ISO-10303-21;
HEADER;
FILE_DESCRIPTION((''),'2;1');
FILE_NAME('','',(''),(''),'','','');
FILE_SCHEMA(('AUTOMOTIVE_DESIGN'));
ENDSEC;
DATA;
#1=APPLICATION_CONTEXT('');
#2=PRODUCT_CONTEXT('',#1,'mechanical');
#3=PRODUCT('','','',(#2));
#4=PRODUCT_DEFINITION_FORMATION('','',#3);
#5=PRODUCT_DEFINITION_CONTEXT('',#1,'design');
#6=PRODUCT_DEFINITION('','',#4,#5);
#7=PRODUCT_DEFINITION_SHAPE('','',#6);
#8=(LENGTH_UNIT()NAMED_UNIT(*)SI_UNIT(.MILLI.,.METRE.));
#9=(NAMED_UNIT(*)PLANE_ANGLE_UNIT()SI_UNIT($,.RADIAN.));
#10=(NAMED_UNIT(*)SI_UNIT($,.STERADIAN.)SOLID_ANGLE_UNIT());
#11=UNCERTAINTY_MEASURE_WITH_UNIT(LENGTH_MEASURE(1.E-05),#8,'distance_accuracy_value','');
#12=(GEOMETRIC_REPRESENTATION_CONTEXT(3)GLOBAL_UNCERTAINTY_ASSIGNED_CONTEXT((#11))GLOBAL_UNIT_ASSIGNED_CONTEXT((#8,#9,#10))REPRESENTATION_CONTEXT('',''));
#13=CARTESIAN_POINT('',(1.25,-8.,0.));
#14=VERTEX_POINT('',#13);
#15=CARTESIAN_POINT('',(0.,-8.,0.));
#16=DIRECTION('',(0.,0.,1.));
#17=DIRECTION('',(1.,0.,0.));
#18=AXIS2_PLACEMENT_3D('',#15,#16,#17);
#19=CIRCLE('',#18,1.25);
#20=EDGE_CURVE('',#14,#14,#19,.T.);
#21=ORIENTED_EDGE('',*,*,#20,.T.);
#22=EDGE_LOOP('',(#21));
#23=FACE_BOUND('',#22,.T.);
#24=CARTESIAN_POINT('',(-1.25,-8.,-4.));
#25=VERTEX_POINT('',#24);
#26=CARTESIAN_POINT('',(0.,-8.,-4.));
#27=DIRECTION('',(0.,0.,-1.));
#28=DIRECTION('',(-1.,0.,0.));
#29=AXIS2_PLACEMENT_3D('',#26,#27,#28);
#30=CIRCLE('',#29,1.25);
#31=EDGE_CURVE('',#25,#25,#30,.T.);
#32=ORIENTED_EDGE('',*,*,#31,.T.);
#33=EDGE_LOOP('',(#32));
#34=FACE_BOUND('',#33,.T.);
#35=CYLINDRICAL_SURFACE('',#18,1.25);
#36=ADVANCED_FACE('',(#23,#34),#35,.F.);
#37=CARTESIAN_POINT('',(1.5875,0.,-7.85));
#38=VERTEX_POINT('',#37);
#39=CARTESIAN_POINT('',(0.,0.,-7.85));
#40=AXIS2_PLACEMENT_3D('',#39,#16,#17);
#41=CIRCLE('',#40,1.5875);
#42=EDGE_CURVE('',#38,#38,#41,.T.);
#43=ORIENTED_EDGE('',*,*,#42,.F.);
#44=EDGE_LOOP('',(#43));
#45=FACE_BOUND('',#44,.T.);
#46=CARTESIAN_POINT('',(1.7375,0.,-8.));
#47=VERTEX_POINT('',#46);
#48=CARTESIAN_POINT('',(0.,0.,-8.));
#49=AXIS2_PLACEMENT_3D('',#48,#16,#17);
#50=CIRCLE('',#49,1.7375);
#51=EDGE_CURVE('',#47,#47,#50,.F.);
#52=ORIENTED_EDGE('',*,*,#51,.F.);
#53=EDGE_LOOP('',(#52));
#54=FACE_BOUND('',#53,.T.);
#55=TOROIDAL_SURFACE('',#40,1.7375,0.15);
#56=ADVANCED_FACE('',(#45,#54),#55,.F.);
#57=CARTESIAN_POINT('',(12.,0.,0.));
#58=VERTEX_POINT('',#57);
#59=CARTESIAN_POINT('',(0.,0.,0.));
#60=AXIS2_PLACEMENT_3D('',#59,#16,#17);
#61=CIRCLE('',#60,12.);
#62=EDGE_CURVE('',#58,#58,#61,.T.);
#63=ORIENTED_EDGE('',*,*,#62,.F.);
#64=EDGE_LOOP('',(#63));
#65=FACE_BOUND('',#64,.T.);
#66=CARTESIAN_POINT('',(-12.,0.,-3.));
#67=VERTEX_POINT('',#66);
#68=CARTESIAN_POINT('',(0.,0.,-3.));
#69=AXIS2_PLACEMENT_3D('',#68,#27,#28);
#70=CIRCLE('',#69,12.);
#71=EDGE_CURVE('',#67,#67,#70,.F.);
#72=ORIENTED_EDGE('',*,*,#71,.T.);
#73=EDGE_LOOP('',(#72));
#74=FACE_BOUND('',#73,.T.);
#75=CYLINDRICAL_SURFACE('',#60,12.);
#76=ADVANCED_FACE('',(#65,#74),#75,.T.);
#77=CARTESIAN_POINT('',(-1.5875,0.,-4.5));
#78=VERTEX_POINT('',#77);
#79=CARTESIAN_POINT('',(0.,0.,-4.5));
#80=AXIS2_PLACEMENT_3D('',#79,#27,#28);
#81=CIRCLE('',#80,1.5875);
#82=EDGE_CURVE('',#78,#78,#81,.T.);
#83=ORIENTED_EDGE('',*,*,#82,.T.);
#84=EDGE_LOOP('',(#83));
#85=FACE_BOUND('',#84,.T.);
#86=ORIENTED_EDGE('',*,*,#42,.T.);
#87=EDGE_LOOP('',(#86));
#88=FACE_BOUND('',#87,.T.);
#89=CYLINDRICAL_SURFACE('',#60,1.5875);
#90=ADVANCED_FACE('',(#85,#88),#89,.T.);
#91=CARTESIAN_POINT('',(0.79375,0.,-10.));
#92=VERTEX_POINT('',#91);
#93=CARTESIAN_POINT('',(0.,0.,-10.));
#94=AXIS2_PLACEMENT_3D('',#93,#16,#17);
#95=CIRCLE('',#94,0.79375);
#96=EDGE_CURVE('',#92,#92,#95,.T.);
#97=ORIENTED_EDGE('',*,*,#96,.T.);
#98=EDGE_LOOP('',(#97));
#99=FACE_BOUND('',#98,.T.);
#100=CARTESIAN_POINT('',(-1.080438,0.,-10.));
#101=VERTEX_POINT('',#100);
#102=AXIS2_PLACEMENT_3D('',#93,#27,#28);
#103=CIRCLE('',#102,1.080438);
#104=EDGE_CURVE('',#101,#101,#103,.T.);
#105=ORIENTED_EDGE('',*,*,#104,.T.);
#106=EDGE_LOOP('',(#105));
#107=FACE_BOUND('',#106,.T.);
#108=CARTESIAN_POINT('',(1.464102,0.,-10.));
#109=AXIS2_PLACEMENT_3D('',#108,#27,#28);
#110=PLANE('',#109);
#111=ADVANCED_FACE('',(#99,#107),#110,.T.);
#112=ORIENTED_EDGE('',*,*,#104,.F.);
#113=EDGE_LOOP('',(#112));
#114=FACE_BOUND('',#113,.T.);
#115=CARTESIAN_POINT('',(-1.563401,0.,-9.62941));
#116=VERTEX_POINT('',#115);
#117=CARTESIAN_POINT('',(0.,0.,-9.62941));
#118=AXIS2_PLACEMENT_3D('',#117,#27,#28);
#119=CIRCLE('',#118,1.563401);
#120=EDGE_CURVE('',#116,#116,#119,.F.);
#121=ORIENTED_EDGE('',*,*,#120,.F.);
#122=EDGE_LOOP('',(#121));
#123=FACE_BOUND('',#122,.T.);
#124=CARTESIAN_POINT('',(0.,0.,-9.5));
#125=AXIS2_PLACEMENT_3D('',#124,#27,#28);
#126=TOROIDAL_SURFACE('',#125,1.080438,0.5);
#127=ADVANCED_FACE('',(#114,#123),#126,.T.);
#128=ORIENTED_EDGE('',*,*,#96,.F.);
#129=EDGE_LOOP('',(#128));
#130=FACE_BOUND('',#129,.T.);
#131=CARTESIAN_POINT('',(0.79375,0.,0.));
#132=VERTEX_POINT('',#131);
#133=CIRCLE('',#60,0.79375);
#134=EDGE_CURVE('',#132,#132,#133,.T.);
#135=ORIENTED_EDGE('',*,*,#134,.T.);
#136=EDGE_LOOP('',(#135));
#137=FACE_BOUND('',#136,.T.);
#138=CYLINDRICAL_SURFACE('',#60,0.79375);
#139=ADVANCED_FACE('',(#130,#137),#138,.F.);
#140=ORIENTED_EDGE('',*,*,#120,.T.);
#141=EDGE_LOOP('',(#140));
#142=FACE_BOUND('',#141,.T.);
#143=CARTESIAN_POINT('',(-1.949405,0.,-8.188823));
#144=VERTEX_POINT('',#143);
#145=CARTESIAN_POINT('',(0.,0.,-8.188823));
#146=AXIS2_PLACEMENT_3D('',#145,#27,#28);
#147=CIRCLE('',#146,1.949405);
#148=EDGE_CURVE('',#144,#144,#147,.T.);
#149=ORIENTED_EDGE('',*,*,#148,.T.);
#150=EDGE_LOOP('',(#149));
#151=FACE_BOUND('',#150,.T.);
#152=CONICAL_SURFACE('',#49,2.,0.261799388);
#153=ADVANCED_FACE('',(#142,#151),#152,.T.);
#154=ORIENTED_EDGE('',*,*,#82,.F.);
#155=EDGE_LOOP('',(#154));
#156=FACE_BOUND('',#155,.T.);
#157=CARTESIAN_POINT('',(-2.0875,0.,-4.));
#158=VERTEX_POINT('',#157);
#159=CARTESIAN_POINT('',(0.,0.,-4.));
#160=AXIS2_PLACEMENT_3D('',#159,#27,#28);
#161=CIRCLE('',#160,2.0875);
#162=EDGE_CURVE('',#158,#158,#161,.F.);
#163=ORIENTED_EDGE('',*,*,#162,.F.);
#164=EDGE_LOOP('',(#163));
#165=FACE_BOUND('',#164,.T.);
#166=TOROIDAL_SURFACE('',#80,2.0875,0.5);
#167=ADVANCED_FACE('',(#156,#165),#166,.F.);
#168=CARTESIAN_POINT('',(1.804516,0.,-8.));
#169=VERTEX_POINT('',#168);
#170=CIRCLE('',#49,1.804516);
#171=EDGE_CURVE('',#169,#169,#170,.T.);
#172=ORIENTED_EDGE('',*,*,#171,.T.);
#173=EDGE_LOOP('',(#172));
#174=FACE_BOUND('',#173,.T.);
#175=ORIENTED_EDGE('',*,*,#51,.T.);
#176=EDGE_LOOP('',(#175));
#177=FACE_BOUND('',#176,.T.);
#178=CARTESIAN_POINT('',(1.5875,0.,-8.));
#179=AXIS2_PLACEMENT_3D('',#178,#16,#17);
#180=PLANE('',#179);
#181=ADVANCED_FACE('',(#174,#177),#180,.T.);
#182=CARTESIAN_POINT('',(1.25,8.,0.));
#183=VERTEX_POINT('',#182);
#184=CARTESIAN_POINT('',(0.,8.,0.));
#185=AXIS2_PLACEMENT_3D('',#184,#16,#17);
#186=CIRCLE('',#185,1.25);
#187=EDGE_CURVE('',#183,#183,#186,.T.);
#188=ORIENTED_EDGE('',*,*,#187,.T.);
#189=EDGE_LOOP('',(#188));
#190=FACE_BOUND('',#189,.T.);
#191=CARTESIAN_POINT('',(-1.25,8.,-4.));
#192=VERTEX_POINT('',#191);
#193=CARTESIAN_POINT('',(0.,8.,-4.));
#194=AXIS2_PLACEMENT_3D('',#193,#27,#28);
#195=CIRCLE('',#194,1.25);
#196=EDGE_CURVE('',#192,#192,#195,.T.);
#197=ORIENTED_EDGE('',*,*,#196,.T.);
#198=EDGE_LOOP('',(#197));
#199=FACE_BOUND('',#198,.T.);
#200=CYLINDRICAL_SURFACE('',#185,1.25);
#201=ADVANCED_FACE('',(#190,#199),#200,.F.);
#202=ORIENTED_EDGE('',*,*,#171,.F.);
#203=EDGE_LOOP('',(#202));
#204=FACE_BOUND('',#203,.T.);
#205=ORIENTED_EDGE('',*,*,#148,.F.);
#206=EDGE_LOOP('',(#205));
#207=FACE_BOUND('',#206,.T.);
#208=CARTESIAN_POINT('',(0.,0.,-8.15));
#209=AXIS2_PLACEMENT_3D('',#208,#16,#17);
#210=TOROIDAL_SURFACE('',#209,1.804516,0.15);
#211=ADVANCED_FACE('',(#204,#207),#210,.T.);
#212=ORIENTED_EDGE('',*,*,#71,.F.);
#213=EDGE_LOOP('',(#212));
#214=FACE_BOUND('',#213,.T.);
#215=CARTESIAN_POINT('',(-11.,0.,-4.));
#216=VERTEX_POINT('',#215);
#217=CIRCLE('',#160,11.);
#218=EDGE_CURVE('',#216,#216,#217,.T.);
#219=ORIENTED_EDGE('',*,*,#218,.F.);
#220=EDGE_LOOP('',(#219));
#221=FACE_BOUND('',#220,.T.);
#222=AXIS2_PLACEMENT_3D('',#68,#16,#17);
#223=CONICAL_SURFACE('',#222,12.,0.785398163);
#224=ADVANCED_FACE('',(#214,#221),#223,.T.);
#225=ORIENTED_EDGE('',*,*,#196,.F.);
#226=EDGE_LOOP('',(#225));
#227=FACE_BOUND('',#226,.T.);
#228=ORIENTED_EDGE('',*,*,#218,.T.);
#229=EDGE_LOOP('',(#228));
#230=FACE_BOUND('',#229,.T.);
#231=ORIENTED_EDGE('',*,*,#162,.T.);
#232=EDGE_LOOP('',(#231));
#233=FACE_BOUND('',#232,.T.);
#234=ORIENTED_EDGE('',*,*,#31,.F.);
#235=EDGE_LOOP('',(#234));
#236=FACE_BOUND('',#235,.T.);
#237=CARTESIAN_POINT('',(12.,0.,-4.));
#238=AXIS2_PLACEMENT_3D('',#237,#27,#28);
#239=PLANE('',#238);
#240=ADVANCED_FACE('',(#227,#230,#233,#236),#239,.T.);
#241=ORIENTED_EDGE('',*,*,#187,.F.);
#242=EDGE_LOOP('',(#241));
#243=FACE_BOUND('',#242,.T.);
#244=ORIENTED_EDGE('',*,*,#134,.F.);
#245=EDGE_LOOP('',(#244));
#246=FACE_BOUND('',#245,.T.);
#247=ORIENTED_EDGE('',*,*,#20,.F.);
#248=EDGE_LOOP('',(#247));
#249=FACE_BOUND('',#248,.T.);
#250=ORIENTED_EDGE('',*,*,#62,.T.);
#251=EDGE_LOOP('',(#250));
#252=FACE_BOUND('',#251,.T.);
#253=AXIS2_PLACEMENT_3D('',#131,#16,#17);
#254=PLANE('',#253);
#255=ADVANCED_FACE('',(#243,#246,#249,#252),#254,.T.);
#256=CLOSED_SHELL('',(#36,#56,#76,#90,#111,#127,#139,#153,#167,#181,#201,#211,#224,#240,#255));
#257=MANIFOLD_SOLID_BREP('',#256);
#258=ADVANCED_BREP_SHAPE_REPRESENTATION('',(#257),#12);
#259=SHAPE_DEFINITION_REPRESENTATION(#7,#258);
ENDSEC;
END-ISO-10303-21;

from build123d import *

# Parameters (mm, degrees)
TAP_DRILL_FOR_M3X0_5_TAP1_D = 2.5
CHAMFER1_SIZE               = 1
FILLET1_R                   = 0.5
FILLET2_R                   = 0.15


with BuildPart() as part:
    # Sketch1 → Revolve1 (revolve)
    with BuildSketch(Plane(origin=(0, 0, 0), x_dir=(1, 0, 0), z_dir=(0, 1, 0))):
        Polygon((0.79375, 0), (12, 0), (12, 4), (1.5875, 4), (1.5875, 8), (2, 8), (1.464101615, 10), (0.79375, 10), align=None)
    revolve(axis=Axis((0, 0, 0), (0, 0, -1)))

    # Tap Drill for M3x0.5 Tap1 (through all)
    with Locations(Plane.XY):
        with Locations((0, 8), (0, -8)):
            Hole(TAP_DRILL_FOR_M3X0_5_TAP1_D / 2)

    # Chamfer1
    chamfer1_edges = [part.edges().sort_by_distance(p)[0] for p in [
        (-12, 0, -4),
    ]]
    chamfer(chamfer1_edges, length=CHAMFER1_SIZE)

    # Fillet1
    fillet1_edges = [part.edges().sort_by_distance(p)[0] for p in [
        (-1.464101615, 0, -10),
        (-1.5875, 0, -4),
    ]]
    fillet(fillet1_edges, radius=FILLET1_R)

    # Fillet2
    fillet2_edges = [part.edges().sort_by_distance(p)[0] for p in [
        (-2, 0, -8),
        (-1.5875, 0, -8),
    ]]
    fillet(fillet2_edges, radius=FILLET2_R)


solid = part.part
